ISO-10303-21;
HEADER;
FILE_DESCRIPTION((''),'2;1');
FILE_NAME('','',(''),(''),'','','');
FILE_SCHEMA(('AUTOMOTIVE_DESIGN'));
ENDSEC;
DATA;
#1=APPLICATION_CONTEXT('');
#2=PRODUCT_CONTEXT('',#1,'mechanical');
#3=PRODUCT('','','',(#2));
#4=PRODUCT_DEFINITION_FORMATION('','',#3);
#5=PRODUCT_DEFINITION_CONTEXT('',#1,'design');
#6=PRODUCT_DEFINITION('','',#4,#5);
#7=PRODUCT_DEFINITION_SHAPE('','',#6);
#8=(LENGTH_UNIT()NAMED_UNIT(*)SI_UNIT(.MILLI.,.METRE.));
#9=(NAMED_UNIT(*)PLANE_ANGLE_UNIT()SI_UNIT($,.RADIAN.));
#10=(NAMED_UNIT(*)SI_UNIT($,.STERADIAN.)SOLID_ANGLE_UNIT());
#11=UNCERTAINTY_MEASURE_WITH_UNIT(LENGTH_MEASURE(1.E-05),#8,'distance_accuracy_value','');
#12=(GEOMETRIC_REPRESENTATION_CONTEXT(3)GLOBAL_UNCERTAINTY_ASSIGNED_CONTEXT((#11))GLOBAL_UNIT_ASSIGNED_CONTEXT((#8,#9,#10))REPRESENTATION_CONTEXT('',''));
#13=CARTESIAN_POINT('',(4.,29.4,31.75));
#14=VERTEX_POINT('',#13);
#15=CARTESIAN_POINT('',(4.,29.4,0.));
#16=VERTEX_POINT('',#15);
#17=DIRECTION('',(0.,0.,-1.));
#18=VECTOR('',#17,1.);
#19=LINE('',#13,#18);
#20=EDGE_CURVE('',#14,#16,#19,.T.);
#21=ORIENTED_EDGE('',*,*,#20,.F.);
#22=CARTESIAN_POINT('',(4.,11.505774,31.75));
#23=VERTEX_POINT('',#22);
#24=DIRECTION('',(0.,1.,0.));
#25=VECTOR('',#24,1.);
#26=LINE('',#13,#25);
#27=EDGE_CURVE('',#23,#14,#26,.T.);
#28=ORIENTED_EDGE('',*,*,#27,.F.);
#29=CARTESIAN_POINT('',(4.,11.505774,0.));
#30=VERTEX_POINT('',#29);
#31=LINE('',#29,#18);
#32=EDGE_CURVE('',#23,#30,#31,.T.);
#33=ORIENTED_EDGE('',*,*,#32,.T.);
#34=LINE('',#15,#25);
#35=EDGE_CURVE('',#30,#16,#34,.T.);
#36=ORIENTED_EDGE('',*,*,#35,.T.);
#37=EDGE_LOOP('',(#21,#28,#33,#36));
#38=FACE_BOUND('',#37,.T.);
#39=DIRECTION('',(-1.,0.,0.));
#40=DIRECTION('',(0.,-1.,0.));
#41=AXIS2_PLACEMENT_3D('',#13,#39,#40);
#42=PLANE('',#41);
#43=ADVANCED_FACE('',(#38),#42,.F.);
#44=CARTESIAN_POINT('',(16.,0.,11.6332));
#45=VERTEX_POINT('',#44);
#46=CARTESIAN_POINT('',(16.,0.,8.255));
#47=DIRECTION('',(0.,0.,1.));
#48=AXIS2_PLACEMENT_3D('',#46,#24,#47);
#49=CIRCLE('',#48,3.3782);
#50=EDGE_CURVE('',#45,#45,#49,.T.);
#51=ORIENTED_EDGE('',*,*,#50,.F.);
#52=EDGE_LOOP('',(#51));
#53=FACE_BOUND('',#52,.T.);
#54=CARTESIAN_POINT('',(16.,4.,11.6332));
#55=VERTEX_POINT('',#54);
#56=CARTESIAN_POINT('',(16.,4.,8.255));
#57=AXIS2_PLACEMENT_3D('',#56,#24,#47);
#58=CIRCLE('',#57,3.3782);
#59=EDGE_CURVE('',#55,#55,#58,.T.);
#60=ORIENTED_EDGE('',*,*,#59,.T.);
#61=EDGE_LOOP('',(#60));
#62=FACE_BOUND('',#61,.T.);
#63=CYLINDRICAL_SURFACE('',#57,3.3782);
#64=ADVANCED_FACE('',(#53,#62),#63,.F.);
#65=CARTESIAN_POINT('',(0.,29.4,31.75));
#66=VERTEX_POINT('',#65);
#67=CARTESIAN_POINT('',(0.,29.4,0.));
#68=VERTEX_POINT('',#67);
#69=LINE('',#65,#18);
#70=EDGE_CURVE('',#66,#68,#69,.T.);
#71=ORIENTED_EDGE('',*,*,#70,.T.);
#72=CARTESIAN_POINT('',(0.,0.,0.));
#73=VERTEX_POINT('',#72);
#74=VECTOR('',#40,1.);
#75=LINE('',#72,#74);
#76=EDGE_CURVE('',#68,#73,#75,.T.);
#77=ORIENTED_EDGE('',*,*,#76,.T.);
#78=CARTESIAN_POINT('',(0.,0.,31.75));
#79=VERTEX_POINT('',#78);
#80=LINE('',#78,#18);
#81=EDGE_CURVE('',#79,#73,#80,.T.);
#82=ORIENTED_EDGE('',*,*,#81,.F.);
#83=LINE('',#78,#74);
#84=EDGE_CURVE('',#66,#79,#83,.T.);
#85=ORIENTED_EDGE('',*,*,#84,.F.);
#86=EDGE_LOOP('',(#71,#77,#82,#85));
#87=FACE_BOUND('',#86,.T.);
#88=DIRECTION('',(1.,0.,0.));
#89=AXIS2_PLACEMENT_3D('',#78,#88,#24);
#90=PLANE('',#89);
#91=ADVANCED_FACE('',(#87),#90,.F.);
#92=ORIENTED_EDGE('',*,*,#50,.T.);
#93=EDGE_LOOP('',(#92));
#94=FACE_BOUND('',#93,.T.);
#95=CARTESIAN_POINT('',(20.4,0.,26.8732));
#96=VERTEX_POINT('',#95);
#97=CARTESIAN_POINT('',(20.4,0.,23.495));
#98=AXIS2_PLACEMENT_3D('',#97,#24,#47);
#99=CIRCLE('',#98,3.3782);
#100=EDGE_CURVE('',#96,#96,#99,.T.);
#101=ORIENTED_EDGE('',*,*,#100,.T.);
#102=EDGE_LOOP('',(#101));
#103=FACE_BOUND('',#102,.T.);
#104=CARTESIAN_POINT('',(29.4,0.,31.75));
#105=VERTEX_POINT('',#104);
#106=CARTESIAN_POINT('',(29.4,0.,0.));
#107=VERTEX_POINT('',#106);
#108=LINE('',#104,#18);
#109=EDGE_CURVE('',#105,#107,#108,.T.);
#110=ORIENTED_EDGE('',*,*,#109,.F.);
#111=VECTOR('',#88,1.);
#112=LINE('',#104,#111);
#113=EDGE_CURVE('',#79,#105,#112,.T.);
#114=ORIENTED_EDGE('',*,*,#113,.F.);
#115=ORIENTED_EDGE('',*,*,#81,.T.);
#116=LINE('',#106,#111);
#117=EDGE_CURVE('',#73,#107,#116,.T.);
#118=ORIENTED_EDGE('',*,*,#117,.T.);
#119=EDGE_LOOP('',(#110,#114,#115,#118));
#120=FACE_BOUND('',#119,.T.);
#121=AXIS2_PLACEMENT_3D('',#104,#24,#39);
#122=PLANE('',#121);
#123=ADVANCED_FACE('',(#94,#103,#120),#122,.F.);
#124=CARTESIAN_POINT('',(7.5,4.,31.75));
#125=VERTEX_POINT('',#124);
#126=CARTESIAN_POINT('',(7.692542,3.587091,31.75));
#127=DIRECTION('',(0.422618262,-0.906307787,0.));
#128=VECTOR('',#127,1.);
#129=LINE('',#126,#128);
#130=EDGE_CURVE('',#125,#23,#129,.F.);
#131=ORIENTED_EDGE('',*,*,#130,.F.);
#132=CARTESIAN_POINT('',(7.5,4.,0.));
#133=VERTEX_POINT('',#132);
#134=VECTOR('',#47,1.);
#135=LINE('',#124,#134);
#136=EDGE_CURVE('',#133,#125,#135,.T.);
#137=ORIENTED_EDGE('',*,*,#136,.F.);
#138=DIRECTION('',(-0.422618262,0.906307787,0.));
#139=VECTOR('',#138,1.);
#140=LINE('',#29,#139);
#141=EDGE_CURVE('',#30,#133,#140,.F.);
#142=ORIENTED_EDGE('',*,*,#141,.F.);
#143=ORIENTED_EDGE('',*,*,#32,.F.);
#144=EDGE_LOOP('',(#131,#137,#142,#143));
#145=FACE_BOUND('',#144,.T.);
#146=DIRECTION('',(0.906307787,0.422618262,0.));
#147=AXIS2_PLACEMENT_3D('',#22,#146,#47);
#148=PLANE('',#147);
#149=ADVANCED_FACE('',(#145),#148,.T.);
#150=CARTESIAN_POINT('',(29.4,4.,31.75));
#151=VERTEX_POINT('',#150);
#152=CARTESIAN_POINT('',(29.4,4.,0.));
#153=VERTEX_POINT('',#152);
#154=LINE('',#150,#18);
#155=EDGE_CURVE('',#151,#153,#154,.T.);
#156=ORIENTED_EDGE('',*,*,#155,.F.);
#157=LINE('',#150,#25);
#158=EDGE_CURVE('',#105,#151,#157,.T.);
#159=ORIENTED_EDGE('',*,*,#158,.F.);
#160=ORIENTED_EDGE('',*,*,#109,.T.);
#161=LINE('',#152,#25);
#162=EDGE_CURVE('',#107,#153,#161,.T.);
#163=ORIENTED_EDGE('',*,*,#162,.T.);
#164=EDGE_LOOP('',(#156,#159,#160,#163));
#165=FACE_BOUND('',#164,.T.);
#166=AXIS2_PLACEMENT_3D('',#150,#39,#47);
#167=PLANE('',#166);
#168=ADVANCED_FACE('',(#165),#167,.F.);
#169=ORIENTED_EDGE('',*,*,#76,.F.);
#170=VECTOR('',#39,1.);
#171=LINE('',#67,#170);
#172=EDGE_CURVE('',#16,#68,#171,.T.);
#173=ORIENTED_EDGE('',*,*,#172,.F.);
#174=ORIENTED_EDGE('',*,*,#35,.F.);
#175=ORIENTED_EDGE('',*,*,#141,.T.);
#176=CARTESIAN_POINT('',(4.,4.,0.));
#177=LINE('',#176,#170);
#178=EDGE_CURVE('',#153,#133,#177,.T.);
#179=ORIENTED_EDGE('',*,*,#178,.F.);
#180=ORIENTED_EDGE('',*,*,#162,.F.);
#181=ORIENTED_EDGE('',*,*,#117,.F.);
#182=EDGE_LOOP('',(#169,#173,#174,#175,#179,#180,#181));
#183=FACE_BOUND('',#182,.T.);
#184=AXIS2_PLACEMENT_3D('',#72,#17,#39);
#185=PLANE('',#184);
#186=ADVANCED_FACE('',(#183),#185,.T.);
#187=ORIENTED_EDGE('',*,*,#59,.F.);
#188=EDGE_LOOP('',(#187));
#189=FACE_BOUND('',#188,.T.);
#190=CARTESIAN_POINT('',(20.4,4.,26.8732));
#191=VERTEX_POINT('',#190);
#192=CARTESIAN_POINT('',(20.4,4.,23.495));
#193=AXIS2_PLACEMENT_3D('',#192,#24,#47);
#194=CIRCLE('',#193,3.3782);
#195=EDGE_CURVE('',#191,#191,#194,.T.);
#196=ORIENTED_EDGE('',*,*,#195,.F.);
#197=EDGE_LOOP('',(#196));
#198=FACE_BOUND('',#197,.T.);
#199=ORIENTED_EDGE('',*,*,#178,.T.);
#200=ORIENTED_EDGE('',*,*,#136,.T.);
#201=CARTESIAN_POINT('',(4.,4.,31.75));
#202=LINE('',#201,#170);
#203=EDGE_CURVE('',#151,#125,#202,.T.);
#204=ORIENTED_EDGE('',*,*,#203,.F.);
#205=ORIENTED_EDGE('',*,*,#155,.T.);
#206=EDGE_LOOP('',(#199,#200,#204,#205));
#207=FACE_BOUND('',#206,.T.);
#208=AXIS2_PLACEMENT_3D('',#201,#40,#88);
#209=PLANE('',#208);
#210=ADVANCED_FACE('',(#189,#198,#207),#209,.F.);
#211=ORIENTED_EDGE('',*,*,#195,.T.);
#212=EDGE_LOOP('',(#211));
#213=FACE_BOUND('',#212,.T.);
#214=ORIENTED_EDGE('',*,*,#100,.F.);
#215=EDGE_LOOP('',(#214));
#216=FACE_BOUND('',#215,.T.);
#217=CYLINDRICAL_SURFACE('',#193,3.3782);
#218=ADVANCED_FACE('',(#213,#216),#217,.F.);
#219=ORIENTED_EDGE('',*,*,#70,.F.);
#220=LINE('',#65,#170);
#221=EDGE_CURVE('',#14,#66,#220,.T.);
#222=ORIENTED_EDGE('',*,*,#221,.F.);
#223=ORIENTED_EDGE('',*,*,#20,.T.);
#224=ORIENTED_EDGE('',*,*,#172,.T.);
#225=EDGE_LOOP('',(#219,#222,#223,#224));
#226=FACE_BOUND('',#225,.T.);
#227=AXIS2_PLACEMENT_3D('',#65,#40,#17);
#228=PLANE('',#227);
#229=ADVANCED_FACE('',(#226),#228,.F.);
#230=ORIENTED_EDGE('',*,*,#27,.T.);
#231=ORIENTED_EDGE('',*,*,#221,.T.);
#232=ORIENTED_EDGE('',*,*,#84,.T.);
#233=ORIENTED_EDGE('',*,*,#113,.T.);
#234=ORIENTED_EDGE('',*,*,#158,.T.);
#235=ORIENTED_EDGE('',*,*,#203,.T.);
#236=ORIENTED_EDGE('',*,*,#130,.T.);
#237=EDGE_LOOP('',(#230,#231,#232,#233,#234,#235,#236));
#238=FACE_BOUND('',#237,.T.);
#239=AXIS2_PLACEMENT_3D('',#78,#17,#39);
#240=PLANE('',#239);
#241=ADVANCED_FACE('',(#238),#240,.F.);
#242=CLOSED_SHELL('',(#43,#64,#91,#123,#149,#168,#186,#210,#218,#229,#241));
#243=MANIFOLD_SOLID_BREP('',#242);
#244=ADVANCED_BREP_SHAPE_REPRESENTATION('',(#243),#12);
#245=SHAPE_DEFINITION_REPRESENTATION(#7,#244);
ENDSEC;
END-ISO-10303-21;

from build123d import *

# Parameters (mm, degrees)
BOSS_EXTRUDE1_DEPTH     = 31.75
F_1_4_CLEARANCE_HOLE1_D = 6.7564
CHAMFER1_SIZE           = 3.5
CHAMFER1_SIZE2          = 7.505774222


with BuildPart() as part:
    # Sketch1 → Boss-Extrude1 (new body)
    with BuildSketch(Plane.XY):
        Polygon((0, 0), (0, 29.4), (4, 29.4), (4, 4), (29.4, 4), (29.4, 0), align=None)
    extrude(amount=BOSS_EXTRUDE1_DEPTH)

    # 1/4 Clearance Hole1 (through all)
    with Locations(Plane(origin=(0, 4, 0), x_dir=(1, 0, 0), z_dir=(0, 1, 0))):
        with Locations((20.4, -23.495), (16, -8.255)):
            Hole(F_1_4_CLEARANCE_HOLE1_D / 2)

    # Chamfer1
    chamfer1_edges = [part.edges().sort_by_distance(p)[0] for p in [
        (4, 4, 15.875),
    ]]
    chamfer1_side = [part.faces().sort_by_distance(p)[0] for p in [
        (16.553612055, 4, 15.875),
    ]]
    chamfer(chamfer1_edges, length=CHAMFER1_SIZE, length2=CHAMFER1_SIZE2, reference=chamfer1_side[0])


solid = part.part
